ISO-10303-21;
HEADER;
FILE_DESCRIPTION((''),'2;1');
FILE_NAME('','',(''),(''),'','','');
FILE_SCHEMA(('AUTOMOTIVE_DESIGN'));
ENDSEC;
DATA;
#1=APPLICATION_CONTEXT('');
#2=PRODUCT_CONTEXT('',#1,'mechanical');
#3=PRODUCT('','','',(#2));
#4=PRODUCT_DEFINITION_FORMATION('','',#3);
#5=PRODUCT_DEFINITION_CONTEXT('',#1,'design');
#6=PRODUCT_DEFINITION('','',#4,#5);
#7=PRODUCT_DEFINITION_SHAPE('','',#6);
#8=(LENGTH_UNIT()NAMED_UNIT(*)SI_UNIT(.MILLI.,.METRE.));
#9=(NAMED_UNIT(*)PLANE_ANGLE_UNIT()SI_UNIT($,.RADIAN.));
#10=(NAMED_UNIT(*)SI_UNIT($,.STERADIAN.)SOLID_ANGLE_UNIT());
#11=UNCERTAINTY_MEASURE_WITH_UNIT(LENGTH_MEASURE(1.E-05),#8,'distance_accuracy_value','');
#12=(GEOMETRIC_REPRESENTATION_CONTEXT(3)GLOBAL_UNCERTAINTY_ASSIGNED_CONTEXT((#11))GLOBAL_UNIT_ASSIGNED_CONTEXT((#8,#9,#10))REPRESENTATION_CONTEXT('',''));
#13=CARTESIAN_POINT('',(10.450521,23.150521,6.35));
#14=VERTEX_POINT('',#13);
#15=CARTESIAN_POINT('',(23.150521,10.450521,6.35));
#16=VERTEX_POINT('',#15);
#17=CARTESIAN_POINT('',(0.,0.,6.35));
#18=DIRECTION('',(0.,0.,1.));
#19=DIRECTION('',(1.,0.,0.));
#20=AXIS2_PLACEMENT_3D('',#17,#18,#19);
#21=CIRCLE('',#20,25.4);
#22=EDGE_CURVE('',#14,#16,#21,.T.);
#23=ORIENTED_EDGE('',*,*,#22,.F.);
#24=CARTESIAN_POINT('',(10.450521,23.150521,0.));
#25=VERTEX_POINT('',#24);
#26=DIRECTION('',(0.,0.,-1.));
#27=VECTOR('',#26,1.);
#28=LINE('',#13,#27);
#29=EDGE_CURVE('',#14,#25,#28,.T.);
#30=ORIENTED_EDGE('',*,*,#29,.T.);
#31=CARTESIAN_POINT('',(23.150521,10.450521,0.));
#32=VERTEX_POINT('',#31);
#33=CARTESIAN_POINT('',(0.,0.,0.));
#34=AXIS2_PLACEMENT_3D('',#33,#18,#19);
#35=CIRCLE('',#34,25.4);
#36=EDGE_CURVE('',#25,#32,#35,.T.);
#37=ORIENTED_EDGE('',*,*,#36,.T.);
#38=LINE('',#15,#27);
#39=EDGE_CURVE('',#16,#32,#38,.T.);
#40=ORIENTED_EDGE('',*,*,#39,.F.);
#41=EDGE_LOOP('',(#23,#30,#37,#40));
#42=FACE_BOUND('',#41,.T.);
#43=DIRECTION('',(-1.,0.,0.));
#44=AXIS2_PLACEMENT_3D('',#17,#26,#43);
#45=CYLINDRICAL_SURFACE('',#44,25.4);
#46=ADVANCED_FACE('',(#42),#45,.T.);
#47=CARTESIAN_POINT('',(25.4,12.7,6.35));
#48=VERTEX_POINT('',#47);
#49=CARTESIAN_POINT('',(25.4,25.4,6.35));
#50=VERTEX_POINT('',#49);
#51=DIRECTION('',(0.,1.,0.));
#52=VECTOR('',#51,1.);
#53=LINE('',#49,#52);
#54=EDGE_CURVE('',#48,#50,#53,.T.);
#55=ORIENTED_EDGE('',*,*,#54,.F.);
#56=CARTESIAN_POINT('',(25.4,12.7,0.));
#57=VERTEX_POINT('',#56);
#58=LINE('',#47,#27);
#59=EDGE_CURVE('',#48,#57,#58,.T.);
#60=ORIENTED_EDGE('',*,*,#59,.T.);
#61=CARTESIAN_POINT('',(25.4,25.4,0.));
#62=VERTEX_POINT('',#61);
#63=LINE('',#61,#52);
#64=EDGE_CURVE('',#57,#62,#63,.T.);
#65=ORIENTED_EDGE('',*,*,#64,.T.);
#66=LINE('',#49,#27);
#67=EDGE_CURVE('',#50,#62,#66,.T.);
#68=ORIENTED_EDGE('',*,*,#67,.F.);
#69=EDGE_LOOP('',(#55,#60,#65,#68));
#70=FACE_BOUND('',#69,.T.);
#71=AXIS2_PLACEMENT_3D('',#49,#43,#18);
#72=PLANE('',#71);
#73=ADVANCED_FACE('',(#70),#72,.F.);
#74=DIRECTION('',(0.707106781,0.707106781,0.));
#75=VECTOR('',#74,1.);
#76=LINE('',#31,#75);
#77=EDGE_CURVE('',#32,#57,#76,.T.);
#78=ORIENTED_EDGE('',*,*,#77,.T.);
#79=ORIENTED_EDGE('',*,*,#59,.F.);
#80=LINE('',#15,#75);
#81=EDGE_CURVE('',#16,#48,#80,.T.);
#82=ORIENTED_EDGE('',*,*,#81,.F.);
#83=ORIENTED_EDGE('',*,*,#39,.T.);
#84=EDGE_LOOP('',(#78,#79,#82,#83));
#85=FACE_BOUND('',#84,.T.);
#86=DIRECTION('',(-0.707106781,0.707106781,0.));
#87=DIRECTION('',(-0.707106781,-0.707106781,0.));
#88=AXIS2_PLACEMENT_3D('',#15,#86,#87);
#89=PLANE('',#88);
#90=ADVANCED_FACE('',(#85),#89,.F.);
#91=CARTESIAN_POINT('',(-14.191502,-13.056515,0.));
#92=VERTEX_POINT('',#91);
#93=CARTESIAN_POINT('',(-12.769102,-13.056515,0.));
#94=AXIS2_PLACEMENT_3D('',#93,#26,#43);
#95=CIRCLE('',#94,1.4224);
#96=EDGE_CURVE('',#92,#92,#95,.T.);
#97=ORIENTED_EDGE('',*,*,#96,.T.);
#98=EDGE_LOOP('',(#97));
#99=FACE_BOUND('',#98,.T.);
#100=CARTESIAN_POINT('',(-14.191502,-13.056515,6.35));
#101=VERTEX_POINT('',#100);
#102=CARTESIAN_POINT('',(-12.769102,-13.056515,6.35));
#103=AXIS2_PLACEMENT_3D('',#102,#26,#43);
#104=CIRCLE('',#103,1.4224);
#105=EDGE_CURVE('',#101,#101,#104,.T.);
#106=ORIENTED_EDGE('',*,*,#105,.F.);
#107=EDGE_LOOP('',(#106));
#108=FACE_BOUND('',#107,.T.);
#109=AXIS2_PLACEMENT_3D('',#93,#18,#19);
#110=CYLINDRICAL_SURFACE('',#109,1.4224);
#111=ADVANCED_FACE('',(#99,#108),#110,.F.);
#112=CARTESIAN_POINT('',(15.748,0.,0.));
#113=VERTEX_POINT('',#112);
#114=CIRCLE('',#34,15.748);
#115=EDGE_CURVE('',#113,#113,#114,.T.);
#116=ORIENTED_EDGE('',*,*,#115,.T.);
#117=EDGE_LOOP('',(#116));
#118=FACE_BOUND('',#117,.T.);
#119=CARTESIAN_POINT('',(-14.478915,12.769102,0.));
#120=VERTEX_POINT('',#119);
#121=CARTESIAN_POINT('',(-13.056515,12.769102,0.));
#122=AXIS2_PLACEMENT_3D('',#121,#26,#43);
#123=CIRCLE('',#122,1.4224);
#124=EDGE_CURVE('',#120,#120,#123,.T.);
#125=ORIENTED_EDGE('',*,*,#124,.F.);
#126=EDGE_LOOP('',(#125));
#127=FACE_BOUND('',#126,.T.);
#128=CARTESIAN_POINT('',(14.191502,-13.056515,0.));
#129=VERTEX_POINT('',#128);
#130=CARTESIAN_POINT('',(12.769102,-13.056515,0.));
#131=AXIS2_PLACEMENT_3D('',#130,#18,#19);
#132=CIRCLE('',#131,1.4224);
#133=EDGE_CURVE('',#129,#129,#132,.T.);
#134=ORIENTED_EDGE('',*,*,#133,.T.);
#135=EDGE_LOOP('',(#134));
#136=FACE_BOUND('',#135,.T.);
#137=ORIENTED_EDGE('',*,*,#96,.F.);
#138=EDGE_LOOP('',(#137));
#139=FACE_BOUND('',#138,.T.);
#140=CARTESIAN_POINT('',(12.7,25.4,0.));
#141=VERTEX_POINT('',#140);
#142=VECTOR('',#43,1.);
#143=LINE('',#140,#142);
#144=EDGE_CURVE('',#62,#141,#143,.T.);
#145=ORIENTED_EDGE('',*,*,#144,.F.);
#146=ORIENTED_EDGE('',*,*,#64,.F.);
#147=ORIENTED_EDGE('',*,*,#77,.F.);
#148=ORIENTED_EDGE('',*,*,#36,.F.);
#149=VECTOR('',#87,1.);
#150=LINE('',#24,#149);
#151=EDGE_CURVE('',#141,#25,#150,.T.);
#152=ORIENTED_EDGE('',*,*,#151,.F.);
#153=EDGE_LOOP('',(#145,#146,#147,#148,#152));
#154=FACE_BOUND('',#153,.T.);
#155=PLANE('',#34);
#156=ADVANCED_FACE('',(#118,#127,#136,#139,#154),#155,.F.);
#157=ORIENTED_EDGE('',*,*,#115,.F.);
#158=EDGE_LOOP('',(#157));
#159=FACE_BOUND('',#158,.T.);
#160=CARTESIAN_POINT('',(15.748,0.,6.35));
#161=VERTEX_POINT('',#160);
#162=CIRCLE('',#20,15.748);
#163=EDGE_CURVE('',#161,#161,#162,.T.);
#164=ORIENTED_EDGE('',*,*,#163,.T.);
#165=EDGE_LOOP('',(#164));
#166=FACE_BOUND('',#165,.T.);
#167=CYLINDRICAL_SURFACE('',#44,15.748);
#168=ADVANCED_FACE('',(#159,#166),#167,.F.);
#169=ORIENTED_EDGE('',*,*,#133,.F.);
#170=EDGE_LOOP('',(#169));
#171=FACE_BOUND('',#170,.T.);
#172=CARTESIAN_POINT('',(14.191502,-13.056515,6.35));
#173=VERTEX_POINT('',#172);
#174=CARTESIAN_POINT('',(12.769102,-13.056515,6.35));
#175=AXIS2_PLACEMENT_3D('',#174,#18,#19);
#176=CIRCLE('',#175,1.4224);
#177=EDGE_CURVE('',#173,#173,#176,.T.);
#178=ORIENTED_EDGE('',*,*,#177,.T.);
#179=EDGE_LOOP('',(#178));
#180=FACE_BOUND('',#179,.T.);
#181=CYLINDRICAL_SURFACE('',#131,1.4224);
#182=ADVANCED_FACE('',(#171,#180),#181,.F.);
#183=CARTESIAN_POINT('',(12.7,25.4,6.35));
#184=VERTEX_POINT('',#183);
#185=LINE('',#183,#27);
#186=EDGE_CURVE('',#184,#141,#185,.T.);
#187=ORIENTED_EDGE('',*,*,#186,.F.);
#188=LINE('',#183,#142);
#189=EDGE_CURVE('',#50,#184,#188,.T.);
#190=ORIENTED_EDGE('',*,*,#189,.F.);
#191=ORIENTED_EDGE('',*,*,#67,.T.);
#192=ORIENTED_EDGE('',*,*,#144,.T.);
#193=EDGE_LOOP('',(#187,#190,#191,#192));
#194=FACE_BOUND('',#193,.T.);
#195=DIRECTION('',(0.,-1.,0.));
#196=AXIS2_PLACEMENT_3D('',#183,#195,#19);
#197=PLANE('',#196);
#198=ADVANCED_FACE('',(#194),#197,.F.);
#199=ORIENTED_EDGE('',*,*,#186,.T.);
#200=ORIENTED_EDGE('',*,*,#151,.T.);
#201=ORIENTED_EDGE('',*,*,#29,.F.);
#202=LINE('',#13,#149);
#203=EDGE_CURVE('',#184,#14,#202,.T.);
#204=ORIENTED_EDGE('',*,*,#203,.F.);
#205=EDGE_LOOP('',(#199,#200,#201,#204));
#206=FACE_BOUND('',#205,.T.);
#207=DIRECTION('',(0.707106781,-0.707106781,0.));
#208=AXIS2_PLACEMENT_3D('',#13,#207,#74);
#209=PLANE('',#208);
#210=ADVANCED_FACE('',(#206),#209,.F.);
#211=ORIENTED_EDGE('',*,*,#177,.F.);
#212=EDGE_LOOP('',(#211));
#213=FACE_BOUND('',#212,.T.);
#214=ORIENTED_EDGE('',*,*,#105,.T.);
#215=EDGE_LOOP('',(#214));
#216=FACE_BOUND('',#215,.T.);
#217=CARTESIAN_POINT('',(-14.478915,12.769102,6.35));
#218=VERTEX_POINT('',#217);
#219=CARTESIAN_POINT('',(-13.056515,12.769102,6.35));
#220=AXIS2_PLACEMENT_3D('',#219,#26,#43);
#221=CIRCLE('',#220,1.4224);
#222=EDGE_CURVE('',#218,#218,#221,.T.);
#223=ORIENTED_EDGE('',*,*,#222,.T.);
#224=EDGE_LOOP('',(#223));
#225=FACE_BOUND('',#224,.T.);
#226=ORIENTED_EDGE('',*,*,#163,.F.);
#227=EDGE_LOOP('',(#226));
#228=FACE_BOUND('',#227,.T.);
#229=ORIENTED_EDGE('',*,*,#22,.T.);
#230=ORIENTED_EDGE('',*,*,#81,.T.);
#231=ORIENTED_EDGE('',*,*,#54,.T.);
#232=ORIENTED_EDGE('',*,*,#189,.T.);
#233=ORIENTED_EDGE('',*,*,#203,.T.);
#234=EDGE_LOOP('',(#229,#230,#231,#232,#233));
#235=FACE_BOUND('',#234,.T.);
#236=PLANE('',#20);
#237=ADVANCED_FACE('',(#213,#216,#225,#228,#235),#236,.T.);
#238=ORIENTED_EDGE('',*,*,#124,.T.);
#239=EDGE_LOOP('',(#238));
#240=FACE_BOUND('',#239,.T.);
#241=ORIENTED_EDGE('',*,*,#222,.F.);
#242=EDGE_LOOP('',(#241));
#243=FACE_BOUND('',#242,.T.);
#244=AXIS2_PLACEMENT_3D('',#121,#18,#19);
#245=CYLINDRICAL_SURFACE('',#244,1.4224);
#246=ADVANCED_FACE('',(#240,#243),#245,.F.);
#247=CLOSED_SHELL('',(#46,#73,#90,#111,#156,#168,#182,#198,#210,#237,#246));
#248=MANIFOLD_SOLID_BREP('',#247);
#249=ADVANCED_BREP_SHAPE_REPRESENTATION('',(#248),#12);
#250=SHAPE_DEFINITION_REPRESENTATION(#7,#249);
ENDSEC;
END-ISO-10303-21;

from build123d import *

# Parameters (mm, degrees)
SKETCH1_R           = 15.748
BOSS_EXTRUDE1_DEPTH = 6.35
SKETCH2_R           = 1.4224
CUT_EXTRUDE2_DEPTH  = 6.35


with BuildPart() as part:
    # Sketch1 → Boss-Extrude1 (new body)
    with BuildSketch(Plane.XY):
        with BuildLine():
            Line((23.150520825, 10.450520825), (25.4, 12.7))
            Line((25.4, 12.7), (25.4, 25.4))
            Line((25.4, 25.4), (12.7, 25.4))
            Line((12.7, 25.4), (10.450520825, 23.150520825))
            ThreePointArc((10.450520825, 23.150520825), (-17.960512242, -17.960512242), (23.150520825, 10.450520825))
        make_face()
        Circle(SKETCH1_R, mode=Mode.SUBTRACT)
    extrude(amount=BOSS_EXTRUDE1_DEPTH)

    # Sketch2 → Cut-Extrude2 (cut)
    with BuildSketch(Plane.XY.offset(6.35)):
        with Locations((12.76910233, -13.056515019)):
            Circle(SKETCH2_R)
        with Locations((-13.056515019, 12.76910233)):
            Circle(SKETCH2_R)
        with Locations((-12.76910233, -13.056515019)):
            Circle(SKETCH2_R)
    extrude(amount=-CUT_EXTRUDE2_DEPTH, mode=Mode.SUBTRACT)


solid = part.part
